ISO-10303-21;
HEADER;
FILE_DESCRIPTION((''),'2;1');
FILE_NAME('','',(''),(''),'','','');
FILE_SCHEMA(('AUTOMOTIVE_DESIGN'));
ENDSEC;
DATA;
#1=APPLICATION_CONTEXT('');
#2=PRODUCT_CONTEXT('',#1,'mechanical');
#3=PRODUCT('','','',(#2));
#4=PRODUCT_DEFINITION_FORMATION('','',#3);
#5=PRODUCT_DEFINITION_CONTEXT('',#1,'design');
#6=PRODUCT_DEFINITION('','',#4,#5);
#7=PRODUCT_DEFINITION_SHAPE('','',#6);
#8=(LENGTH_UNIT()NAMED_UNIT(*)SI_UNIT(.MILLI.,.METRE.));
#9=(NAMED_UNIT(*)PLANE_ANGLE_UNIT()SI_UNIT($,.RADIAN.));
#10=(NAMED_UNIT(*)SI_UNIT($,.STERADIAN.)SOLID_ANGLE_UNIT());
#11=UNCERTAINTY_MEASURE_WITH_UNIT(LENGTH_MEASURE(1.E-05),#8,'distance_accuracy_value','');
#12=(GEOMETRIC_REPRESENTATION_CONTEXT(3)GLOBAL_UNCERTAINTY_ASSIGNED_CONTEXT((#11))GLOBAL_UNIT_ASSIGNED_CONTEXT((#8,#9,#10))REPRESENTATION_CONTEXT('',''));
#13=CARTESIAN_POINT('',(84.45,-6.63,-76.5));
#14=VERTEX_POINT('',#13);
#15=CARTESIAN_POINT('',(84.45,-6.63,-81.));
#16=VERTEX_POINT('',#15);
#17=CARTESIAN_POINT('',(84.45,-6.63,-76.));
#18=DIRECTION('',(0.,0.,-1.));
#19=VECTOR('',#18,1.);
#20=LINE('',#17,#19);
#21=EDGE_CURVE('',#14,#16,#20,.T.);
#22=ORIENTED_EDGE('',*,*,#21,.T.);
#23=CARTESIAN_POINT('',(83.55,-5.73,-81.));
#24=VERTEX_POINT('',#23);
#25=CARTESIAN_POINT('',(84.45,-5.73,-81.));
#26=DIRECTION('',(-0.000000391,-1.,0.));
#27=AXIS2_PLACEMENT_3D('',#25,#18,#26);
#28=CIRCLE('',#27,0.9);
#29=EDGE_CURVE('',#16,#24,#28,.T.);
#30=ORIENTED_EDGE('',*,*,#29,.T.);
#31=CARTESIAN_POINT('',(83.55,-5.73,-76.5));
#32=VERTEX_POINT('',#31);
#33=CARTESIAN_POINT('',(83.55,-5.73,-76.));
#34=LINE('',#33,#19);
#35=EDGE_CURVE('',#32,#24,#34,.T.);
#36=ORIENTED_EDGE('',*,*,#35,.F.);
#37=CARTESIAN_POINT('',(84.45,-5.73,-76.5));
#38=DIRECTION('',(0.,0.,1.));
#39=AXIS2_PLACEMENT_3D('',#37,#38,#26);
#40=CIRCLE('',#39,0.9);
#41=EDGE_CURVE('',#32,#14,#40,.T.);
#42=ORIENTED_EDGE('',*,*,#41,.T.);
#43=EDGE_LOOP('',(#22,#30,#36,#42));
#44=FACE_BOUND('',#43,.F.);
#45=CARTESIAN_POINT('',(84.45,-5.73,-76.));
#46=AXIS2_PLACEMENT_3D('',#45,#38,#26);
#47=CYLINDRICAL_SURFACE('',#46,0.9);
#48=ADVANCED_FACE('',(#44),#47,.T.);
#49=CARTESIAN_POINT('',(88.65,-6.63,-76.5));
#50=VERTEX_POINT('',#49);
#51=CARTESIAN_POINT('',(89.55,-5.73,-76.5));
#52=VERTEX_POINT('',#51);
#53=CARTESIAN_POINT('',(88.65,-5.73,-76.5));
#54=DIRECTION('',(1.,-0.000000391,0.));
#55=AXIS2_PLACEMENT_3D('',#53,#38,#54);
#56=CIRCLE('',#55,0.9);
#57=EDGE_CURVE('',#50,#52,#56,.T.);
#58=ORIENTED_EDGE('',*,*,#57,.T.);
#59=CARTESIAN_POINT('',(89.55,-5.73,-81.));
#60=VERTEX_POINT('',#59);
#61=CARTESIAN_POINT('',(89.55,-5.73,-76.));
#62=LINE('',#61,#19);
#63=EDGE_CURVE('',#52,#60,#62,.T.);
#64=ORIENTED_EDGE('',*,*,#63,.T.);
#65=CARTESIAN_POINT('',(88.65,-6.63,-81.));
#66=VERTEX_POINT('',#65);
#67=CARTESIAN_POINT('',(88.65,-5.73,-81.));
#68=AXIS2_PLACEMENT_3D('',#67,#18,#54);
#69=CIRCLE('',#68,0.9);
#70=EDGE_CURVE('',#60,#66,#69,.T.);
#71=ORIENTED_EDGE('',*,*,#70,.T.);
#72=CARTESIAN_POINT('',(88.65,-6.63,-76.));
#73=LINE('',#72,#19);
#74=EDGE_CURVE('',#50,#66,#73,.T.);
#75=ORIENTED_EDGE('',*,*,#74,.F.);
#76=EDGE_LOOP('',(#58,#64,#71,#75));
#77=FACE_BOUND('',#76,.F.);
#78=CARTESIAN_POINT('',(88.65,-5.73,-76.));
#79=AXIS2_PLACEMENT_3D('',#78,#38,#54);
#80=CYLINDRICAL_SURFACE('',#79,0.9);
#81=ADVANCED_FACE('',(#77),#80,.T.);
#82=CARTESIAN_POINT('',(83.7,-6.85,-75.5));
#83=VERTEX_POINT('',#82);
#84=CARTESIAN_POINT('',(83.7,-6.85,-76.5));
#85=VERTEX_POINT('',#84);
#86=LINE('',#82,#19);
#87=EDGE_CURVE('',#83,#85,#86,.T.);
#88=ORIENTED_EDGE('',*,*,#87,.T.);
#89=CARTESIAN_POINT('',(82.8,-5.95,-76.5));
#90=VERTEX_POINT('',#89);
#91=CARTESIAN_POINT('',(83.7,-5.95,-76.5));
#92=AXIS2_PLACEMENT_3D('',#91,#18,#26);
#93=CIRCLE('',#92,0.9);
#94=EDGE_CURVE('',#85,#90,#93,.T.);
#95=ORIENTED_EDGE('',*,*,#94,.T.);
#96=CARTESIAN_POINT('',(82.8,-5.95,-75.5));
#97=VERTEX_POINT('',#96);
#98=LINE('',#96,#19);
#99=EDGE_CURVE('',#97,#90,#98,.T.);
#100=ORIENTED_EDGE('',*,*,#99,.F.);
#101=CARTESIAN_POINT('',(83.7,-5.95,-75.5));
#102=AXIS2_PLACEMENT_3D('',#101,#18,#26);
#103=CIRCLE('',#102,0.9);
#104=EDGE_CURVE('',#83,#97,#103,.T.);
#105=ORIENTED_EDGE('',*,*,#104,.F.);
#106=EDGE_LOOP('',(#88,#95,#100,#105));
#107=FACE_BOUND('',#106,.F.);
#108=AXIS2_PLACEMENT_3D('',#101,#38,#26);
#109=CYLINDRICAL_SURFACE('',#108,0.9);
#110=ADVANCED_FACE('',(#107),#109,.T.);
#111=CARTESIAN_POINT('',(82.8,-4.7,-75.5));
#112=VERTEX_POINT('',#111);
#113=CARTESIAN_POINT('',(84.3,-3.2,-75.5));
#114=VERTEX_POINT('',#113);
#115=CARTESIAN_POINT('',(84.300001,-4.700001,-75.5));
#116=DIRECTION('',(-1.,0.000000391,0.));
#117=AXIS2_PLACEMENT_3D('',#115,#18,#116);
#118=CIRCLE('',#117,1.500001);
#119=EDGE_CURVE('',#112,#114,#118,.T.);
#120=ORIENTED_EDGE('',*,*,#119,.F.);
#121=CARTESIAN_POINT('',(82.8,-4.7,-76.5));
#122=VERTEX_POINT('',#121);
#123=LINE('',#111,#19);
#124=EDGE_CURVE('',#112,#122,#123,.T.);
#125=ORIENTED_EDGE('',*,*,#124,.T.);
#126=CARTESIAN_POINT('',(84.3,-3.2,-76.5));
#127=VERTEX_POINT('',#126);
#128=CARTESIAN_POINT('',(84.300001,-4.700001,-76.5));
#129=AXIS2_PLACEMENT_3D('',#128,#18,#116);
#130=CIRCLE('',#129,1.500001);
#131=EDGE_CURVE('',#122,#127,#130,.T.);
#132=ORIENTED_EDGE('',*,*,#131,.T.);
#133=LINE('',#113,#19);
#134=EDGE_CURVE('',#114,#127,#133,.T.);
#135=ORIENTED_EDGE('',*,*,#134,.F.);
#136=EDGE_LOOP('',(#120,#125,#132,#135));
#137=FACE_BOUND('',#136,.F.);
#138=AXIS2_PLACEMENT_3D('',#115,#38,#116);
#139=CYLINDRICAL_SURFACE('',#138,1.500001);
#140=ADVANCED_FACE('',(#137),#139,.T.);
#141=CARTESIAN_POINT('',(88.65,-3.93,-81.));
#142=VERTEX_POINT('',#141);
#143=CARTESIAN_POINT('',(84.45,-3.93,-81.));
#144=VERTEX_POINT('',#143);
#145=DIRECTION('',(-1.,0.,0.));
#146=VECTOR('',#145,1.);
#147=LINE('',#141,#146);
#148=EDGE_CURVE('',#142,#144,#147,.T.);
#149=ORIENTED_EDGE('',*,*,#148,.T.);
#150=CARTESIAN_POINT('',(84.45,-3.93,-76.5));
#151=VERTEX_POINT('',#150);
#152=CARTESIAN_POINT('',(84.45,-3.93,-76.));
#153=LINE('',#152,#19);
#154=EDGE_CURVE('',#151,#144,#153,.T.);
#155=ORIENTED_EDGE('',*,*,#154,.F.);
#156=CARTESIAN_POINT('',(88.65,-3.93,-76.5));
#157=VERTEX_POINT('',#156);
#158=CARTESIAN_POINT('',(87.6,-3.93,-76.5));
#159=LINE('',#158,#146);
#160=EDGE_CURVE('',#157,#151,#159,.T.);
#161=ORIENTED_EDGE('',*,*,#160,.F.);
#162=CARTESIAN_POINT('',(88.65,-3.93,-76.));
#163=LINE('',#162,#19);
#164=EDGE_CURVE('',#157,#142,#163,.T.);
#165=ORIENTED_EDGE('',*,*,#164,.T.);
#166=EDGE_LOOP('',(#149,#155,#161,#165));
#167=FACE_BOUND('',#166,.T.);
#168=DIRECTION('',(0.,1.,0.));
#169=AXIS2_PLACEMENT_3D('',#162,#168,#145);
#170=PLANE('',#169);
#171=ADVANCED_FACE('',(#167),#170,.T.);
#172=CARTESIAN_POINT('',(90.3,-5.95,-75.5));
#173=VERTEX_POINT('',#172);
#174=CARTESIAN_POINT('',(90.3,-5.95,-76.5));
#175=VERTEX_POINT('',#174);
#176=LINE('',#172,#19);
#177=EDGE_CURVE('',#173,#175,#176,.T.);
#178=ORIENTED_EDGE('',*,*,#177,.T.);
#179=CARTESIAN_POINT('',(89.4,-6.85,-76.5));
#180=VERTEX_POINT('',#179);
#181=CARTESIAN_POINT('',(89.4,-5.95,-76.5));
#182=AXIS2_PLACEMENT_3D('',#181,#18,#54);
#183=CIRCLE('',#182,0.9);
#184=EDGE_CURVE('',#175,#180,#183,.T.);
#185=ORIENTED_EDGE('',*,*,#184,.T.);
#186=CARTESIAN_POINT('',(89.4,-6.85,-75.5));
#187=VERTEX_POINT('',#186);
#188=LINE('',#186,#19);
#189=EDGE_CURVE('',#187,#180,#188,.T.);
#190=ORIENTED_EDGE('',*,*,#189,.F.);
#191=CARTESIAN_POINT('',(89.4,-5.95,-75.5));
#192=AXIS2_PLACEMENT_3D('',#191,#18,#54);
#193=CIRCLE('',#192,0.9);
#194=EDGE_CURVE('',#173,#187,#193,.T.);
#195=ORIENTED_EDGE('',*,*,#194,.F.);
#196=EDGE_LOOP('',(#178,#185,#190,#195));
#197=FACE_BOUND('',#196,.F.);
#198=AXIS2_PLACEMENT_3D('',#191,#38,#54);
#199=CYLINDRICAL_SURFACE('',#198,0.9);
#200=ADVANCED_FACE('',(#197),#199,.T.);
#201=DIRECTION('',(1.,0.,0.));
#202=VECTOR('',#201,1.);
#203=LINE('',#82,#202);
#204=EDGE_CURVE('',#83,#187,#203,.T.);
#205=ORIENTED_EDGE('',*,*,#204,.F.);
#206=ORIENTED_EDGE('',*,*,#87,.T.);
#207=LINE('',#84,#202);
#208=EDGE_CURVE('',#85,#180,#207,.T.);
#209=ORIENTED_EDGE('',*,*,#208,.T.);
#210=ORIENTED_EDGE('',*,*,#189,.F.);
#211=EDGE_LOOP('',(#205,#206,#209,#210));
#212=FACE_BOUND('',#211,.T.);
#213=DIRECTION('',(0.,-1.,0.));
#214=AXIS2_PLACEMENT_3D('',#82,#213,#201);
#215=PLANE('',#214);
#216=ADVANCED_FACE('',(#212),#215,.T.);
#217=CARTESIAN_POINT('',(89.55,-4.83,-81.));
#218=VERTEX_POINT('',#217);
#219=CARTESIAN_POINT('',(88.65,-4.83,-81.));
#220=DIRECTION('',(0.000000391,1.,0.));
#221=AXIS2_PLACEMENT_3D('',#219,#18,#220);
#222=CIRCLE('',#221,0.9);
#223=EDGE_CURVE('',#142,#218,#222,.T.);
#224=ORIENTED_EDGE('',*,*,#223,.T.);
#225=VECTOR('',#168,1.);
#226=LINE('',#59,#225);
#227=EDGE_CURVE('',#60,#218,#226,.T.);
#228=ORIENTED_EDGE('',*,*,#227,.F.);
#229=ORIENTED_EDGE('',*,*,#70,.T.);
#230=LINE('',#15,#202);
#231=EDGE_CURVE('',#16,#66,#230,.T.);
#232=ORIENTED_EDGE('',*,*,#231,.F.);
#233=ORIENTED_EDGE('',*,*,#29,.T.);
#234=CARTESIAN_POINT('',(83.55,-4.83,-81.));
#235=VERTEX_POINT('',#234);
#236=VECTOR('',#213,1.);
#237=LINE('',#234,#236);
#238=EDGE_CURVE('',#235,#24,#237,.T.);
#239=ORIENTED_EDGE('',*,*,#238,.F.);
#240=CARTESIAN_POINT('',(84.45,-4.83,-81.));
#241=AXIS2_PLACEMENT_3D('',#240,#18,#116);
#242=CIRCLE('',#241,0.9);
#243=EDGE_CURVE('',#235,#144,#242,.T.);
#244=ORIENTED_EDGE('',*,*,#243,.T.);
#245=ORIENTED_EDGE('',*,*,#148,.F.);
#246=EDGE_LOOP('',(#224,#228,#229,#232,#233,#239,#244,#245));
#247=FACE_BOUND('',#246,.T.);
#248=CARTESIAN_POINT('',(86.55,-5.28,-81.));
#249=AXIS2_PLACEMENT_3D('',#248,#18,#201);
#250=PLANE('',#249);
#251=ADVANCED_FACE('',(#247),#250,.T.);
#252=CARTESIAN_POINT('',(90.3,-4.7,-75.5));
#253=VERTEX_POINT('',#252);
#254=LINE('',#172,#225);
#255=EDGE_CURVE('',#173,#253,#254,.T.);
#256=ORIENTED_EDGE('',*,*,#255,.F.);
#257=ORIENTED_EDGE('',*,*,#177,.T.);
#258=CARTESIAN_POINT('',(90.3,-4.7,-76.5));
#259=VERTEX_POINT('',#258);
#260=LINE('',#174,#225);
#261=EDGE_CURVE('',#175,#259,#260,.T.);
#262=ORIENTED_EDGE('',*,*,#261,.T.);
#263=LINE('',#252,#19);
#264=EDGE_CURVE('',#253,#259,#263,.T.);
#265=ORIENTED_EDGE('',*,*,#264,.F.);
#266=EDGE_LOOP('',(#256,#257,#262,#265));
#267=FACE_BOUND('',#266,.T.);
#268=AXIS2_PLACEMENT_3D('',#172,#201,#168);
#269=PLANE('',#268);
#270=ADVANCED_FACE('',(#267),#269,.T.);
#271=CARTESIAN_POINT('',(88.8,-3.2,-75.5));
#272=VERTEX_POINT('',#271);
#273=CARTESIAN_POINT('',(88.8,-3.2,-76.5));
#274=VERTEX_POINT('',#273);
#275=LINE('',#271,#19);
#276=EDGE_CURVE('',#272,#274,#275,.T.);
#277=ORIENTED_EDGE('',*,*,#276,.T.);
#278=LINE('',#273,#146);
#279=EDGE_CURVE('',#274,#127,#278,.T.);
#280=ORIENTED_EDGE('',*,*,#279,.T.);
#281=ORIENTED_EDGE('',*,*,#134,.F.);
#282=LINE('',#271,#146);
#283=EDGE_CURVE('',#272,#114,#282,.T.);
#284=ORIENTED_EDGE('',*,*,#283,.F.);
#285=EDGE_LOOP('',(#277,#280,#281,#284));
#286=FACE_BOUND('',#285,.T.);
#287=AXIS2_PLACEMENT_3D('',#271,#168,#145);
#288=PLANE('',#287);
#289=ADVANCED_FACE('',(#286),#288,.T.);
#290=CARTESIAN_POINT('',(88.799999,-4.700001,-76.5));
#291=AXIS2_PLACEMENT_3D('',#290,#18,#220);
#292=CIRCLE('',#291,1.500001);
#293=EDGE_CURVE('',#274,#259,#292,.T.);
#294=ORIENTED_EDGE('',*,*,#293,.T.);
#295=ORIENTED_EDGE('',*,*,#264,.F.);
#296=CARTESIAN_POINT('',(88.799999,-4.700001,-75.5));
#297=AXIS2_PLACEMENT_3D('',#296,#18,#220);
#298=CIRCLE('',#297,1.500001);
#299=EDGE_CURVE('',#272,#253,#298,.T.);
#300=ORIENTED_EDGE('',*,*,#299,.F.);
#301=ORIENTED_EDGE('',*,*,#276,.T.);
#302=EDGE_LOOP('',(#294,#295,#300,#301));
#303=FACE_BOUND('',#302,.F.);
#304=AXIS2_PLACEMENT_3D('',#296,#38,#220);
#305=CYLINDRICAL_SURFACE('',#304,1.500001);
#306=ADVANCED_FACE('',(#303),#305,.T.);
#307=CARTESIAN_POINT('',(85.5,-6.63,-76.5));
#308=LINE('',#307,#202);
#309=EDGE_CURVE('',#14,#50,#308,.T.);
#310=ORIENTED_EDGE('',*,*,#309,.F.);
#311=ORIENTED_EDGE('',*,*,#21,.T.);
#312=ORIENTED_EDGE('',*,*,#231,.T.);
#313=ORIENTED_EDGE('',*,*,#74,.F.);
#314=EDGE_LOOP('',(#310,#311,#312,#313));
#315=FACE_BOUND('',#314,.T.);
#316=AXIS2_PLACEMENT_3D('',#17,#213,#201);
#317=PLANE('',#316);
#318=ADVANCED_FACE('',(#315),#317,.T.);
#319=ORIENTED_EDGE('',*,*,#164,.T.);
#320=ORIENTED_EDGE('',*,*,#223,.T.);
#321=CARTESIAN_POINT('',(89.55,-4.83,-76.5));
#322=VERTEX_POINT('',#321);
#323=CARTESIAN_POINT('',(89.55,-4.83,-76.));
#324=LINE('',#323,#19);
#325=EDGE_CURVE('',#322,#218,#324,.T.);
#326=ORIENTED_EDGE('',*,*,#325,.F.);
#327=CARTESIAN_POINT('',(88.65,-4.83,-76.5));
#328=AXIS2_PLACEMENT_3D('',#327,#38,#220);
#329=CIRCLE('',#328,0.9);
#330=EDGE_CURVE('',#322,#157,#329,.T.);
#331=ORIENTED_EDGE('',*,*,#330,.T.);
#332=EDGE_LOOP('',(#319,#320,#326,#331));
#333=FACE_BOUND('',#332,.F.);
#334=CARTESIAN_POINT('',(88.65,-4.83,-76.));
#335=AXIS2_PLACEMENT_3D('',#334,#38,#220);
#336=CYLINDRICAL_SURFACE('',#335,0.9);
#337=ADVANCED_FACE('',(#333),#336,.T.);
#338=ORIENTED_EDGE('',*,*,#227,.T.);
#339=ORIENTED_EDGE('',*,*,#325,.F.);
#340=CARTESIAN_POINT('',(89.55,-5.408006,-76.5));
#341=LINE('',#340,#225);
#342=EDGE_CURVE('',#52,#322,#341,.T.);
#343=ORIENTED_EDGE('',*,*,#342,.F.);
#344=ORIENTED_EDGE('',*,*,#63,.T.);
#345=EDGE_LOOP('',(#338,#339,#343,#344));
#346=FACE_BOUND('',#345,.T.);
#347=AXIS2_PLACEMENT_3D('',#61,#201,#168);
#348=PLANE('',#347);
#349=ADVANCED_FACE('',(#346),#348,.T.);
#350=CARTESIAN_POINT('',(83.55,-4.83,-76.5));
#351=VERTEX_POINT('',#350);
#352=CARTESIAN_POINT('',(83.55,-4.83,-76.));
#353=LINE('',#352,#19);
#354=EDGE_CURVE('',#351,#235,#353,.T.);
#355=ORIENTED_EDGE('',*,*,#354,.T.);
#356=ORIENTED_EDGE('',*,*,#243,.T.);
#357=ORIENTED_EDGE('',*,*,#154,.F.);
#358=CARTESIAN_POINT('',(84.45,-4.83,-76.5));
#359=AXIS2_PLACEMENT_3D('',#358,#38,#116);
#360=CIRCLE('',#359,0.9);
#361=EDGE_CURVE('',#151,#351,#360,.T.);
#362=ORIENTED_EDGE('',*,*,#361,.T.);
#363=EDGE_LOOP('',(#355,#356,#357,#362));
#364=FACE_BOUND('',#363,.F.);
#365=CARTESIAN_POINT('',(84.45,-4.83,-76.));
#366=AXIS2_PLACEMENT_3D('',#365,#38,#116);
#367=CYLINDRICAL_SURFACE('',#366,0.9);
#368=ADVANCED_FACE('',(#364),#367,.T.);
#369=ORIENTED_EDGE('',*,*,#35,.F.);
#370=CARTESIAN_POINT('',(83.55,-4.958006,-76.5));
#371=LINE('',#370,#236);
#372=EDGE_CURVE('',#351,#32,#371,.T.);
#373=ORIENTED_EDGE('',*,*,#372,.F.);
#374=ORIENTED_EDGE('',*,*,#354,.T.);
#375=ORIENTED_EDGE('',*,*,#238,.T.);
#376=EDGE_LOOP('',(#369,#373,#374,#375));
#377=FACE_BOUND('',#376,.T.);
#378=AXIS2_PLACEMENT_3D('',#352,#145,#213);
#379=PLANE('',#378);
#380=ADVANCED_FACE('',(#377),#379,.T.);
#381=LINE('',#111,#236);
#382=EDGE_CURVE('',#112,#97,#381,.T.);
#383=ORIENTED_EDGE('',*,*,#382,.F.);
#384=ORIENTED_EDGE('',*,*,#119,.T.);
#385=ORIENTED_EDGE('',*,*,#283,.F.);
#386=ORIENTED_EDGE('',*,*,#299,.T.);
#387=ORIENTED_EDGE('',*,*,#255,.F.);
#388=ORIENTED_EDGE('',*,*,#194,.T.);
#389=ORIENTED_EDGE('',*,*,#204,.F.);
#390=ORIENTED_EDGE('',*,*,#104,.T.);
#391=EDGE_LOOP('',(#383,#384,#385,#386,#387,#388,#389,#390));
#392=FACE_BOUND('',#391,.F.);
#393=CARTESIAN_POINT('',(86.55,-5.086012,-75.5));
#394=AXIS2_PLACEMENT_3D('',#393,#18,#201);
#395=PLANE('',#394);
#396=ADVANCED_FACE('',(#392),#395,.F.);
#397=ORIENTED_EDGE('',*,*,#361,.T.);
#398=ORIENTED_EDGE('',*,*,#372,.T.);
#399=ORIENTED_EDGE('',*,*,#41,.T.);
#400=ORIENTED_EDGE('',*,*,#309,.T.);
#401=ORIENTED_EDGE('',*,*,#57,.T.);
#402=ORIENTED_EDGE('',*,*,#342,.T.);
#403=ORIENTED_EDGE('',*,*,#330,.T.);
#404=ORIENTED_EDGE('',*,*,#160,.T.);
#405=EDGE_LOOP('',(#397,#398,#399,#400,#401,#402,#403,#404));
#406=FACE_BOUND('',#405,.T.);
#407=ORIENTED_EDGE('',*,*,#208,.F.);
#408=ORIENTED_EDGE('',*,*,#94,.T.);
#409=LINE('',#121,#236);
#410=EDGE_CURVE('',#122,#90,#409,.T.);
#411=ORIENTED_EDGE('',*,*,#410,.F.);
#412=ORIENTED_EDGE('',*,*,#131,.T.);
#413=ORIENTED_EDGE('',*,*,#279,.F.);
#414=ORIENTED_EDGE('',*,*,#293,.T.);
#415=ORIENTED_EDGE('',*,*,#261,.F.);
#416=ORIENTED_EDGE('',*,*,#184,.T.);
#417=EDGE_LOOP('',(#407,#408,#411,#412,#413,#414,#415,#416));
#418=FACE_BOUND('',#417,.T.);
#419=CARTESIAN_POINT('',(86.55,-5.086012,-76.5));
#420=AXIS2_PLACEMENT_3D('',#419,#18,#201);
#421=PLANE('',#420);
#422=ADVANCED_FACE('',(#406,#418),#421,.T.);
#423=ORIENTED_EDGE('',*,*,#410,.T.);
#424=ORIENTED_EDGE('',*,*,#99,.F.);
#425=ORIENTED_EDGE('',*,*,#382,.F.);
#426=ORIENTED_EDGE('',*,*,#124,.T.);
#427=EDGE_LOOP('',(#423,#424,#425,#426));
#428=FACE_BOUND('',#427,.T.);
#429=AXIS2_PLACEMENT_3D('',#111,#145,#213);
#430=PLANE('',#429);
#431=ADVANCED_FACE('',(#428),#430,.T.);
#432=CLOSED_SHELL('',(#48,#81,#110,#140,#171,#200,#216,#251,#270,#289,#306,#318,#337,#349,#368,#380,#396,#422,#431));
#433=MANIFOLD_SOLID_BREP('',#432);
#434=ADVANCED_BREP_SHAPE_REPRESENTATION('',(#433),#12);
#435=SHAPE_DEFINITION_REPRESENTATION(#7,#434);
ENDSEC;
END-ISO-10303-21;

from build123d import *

# Parameters (mm, degrees)
EXTRUDE230_DEPTH          = 1
EXTRUDE229_DEPTH          = 5
FUSION223_PLACEMENT_ANGLE = 90


with BuildPart() as extrude230:
    # Sketch232 → Extrude230 (new body)
    with BuildSketch(Plane.XZ):
        with BuildLine():
            ThreePointArc((11.7, 16.35), (11.063604, 16.086396), (10.8, 15.45))
            Line((10.8, 14.2), (10.8, 15.45))
            ThreePointArc((10.8, 14.2), (11.23934, 13.13934), (12.3, 12.7))
            Line((16.8, 12.7), (12.3, 12.7))
            ThreePointArc((16.8, 12.7), (17.86066, 13.13934), (18.3, 14.2))
            Line((18.3, 15.45), (18.3, 14.2))
            ThreePointArc((18.3, 15.45), (18.036396, 16.086396), (17.4, 16.35))
            Line((11.7, 16.35), (17.4, 16.35))
        make_face()
    extrude(amount=EXTRUDE230_DEPTH)


with BuildPart() as extrude230_1:
    # Extrude230 placement: moved
    add(extrude230.part.moved(Location((0, 2.5, 0))))


with BuildPart() as button005:
    # Sketch231 → Extrude229 (new body)
    with BuildSketch(Plane.XZ):
        with BuildLine():
            ThreePointArc((12.75, 16.23), (12.113604, 15.966396), (11.85, 15.33))
            Line((11.85, 14.43), (11.85, 15.33))
            ThreePointArc((11.85, 14.43), (12.113604, 13.793604), (12.75, 13.53))
            Line((16.95, 13.53), (12.75, 13.53))
            ThreePointArc((16.95, 13.53), (17.586396, 13.793604), (17.85, 14.43))
            Line((17.85, 15.33), (17.85, 14.43))
            ThreePointArc((17.85, 15.33), (17.586396, 15.966396), (16.95, 16.23))
            Line((12.75, 16.23), (16.95, 16.23))
        make_face()
    extrude(amount=EXTRUDE229_DEPTH)


with BuildPart() as button005_1:
    # Extrude229 placement: moved
    add(button005.part.moved(Location((-0.3, 2, -0.1))))

    # Fusion223: union Extrude230
    add(extrude230_1.part)


with BuildPart() as button005_2:
    # Fusion223 placement: moved
    add(button005_1.part.moved(Location((72, 9.5, -78))).rotate(Axis((72, 9.5, -78), (1, 0, 0)), FUSION223_PLACEMENT_ANGLE))


solid = button005_2.part
